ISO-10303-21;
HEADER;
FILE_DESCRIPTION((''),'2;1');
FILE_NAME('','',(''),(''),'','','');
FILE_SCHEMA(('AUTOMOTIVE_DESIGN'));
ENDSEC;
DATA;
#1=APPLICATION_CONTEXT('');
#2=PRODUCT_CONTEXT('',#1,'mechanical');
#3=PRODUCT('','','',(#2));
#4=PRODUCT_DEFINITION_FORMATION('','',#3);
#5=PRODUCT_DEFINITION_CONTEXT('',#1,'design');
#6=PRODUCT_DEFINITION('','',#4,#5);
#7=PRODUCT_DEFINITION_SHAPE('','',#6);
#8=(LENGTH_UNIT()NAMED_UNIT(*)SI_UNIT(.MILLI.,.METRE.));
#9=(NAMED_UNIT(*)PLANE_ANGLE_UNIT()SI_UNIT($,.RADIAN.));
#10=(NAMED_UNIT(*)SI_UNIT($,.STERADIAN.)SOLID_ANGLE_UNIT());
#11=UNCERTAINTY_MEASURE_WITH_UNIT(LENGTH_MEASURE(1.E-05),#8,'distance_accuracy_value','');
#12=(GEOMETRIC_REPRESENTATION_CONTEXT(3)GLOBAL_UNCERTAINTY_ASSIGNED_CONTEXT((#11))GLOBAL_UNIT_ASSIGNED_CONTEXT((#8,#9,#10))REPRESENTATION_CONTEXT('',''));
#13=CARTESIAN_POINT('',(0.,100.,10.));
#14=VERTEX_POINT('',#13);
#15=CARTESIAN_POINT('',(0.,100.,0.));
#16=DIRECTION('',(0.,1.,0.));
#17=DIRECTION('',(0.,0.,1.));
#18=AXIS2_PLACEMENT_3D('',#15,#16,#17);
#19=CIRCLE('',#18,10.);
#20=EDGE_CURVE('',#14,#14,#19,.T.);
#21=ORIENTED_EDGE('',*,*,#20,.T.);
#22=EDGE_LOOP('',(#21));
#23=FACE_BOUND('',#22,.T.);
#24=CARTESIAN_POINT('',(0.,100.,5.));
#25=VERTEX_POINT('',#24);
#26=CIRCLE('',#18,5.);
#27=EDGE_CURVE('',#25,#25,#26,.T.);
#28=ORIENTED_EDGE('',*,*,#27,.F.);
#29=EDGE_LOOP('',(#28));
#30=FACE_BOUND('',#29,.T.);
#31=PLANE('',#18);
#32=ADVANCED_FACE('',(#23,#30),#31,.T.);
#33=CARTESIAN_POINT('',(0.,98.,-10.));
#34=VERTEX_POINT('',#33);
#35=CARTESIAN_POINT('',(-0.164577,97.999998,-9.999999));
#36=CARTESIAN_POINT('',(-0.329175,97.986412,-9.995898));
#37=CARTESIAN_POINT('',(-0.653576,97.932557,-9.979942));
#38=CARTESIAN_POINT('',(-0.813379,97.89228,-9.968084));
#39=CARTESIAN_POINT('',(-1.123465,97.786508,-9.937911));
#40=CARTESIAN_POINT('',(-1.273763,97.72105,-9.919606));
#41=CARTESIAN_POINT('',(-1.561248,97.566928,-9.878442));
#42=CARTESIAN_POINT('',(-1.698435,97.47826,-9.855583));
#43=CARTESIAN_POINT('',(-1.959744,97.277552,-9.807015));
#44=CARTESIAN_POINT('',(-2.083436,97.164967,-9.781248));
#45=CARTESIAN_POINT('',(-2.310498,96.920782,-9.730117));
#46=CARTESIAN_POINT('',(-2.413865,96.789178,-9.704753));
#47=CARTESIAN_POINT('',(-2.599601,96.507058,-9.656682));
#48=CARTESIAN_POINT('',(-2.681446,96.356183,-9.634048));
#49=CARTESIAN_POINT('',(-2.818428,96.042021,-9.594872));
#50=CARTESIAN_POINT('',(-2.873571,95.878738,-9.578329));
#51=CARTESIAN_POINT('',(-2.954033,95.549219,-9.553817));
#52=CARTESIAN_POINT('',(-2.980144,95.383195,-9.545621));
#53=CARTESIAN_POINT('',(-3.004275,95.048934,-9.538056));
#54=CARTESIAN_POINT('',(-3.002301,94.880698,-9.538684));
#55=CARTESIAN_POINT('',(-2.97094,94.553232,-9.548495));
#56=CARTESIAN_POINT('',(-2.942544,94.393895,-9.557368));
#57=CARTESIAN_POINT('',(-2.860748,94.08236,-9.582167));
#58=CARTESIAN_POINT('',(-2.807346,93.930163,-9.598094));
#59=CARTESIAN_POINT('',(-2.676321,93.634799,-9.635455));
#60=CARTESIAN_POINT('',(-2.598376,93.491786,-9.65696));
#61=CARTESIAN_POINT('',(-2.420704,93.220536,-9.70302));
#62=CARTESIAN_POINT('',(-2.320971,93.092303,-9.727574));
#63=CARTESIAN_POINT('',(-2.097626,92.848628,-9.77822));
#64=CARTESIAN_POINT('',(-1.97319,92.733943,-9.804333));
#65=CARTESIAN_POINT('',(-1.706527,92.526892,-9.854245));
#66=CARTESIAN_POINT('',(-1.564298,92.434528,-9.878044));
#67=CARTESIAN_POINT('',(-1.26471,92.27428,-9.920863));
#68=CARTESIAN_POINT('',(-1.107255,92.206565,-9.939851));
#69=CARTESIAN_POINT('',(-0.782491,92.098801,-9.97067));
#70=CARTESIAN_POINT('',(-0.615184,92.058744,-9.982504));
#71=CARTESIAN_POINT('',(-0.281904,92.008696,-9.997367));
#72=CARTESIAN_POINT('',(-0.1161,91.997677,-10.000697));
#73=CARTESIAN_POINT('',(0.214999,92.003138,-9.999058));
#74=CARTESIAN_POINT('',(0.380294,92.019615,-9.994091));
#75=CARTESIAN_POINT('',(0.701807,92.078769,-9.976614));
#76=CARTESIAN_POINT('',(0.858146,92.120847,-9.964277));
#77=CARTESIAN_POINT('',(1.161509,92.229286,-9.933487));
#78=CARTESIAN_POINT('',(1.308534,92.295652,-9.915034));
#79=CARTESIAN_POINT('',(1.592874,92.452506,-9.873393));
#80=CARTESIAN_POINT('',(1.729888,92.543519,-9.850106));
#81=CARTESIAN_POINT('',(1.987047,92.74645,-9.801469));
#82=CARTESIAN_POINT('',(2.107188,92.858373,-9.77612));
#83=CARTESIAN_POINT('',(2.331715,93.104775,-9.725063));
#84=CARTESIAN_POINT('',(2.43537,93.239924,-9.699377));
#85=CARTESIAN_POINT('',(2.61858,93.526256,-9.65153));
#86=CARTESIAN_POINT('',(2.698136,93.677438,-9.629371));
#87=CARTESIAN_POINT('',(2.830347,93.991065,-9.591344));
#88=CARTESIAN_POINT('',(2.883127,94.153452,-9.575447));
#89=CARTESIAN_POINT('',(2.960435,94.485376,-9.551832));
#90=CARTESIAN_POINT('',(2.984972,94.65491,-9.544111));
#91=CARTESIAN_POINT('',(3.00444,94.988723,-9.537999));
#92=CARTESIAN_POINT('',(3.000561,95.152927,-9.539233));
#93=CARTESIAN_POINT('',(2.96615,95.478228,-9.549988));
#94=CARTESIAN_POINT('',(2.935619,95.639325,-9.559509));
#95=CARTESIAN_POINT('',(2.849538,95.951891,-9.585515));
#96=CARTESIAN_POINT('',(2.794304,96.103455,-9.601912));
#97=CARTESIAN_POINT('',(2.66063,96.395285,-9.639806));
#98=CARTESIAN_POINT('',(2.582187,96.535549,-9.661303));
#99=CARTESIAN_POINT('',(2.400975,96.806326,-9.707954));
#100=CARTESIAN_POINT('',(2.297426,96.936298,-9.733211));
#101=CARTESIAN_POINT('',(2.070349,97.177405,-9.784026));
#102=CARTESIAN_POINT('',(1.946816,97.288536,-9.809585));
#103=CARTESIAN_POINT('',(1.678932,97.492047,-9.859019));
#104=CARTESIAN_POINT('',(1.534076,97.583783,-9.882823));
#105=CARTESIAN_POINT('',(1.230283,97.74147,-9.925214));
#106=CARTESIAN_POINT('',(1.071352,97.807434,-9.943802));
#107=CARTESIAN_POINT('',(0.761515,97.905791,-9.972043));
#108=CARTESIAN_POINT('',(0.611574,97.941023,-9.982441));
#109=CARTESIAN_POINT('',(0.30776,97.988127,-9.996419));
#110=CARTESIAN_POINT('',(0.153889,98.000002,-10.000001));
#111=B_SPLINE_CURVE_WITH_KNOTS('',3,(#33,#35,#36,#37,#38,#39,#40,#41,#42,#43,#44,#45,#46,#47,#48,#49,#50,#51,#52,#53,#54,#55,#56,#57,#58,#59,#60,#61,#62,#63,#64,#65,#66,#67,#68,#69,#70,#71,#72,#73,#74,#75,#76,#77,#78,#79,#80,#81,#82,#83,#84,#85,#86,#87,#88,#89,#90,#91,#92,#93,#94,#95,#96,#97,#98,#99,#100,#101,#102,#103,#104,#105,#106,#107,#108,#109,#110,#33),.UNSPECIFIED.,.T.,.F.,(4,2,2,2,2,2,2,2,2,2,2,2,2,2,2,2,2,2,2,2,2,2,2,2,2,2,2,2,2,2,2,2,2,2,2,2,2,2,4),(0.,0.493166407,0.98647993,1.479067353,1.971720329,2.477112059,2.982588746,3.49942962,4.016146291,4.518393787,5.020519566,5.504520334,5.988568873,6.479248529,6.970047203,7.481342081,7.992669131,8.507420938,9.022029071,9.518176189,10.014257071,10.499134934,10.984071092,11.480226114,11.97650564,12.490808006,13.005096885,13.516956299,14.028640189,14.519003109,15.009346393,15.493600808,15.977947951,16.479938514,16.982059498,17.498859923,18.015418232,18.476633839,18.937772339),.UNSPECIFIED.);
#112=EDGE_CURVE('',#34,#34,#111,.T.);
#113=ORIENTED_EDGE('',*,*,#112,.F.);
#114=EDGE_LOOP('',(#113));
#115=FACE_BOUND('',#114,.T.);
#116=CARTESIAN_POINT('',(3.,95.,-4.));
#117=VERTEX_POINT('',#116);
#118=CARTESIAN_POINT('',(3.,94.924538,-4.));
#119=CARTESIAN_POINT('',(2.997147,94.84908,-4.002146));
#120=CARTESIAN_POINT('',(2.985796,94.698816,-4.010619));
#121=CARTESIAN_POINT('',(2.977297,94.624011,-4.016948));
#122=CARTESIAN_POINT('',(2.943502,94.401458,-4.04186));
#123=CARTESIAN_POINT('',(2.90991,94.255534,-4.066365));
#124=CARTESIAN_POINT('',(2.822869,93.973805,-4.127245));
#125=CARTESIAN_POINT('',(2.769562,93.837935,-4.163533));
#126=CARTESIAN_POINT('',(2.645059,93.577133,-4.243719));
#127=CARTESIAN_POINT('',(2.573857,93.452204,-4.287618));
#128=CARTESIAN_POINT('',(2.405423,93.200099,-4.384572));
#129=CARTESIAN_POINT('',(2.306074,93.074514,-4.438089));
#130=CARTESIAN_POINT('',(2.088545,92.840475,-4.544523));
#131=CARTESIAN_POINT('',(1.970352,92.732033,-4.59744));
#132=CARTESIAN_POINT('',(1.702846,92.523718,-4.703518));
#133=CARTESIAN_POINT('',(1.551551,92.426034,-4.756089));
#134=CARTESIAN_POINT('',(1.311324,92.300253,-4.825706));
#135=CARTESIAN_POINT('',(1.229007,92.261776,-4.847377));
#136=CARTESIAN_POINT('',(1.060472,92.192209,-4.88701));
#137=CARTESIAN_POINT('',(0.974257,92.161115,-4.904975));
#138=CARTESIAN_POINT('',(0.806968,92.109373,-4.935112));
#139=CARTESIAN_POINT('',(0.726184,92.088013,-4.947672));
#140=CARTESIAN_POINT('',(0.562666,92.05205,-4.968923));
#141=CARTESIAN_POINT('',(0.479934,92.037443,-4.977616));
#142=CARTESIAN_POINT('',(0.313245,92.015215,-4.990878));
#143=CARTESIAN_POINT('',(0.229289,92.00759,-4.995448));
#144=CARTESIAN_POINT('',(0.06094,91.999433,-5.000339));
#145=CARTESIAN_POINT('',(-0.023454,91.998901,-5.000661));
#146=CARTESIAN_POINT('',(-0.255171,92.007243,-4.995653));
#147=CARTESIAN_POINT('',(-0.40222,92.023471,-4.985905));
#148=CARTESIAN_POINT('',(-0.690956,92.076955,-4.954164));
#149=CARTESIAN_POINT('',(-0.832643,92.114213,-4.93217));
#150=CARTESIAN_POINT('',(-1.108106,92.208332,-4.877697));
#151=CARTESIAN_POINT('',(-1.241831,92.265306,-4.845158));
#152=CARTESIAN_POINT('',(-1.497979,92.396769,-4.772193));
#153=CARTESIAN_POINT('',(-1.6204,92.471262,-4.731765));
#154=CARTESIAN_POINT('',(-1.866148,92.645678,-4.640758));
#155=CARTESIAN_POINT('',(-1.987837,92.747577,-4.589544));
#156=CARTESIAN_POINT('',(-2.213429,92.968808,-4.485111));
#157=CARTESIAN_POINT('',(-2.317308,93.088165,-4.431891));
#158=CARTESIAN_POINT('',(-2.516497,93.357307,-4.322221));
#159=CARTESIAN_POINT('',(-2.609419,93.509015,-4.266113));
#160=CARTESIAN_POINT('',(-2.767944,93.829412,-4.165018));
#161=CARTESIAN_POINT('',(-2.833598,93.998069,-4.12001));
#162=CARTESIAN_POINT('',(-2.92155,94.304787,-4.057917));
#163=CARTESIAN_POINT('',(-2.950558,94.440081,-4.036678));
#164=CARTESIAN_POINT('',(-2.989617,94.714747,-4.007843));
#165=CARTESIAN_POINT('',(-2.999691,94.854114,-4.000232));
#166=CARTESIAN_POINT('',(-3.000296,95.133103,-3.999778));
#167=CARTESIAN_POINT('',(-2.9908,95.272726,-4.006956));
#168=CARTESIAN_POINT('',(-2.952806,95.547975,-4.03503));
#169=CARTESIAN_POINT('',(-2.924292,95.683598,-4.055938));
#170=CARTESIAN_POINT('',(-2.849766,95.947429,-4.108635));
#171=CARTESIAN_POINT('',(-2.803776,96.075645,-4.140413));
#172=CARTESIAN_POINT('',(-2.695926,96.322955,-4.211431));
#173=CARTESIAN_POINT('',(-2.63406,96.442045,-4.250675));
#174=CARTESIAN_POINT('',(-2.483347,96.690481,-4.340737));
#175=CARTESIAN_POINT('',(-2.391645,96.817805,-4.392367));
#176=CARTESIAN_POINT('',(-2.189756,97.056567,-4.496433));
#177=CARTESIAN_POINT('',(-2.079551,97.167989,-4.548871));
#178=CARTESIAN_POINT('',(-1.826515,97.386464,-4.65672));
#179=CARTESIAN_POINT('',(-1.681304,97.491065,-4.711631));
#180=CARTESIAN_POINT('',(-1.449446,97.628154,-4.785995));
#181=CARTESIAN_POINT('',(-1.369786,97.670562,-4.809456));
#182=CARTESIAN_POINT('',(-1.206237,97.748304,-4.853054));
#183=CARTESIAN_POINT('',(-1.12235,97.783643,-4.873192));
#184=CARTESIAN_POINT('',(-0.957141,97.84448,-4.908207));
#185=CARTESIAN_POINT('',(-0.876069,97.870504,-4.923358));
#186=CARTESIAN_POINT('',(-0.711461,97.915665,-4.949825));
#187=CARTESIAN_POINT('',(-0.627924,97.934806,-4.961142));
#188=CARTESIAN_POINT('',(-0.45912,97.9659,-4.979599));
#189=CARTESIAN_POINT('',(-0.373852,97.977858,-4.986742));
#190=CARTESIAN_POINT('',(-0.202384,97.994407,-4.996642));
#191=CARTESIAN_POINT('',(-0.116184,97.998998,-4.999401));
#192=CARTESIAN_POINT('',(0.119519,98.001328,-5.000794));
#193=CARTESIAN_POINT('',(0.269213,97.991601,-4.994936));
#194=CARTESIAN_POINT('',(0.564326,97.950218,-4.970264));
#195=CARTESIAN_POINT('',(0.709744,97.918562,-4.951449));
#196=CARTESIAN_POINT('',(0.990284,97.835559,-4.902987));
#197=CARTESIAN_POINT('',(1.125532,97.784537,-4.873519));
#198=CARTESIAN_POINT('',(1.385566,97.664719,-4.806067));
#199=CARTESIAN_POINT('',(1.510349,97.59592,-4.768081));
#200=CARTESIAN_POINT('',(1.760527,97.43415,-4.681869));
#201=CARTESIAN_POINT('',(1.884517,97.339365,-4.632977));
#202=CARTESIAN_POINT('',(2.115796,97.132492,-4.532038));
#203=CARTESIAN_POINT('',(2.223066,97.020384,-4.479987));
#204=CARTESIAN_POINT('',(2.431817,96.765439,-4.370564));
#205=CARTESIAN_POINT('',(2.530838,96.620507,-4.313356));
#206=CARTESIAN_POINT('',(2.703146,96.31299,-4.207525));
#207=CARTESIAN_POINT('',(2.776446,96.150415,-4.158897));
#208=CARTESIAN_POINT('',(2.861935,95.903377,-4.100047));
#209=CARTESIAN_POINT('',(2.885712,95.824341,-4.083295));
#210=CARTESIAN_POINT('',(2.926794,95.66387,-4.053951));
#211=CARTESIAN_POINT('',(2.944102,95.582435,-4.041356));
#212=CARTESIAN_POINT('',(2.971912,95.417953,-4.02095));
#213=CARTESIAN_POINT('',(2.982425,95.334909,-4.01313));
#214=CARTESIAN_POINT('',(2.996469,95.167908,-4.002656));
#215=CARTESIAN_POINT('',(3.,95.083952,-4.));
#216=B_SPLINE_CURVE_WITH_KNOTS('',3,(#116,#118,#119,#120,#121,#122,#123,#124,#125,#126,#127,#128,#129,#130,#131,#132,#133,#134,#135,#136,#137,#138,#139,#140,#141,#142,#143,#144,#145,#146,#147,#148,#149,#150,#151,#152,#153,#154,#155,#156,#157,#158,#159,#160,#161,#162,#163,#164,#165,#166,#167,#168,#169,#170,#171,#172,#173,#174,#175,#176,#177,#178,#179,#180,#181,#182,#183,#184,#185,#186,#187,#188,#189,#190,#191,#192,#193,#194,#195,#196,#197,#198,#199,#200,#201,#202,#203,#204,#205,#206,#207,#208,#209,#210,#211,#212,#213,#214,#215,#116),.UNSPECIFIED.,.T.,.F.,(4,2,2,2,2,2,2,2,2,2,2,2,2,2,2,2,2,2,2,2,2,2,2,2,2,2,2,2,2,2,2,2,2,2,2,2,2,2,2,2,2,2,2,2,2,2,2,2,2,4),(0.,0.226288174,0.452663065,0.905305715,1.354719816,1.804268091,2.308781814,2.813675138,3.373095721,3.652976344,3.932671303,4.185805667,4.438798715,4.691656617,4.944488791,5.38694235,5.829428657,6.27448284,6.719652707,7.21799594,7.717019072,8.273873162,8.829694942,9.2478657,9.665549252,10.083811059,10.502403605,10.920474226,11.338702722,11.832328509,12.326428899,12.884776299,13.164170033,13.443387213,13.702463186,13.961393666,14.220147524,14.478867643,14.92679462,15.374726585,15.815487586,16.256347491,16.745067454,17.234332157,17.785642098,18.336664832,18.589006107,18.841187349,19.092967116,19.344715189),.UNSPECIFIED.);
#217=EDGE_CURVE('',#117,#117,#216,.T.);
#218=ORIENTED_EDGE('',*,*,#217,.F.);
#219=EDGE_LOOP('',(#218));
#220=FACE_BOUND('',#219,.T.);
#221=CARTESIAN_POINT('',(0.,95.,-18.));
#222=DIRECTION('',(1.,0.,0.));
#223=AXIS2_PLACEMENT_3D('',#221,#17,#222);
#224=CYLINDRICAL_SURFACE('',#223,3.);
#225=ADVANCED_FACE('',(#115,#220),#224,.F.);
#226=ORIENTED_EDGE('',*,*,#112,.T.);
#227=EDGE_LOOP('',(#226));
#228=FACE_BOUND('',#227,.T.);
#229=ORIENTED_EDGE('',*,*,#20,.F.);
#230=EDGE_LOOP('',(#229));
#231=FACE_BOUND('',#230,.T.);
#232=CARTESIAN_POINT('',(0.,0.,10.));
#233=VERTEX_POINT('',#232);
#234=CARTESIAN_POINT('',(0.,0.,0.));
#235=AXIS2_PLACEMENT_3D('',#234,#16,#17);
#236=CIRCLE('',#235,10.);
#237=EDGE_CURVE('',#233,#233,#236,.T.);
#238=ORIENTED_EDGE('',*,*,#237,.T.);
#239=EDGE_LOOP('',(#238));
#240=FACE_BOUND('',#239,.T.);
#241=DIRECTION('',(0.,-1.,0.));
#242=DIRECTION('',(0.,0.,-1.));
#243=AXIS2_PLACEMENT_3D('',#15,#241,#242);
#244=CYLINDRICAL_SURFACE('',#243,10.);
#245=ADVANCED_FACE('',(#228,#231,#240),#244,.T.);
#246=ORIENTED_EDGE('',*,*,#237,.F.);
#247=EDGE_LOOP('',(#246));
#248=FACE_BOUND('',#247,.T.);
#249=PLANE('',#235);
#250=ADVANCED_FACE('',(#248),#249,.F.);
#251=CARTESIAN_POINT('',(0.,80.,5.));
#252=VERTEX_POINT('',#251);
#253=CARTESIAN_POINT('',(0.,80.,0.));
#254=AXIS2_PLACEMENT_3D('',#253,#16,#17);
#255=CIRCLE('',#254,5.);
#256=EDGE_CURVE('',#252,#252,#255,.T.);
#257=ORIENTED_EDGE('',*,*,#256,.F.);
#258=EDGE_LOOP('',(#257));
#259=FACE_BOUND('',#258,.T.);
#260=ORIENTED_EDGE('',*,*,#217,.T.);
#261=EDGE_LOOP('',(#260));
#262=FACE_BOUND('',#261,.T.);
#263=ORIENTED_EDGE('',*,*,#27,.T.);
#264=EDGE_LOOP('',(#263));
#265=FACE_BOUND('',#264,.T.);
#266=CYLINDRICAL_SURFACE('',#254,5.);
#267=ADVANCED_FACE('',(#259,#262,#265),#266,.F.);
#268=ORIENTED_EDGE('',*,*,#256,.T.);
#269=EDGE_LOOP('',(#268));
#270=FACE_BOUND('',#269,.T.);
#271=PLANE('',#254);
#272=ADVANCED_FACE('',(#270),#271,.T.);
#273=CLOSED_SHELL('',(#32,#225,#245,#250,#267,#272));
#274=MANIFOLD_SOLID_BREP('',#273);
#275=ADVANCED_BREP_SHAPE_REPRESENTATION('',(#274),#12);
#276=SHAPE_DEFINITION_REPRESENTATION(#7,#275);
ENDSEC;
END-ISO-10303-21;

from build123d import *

# Parameters (mm, degrees)
SKETCH1_R           = 10
BOSS_EXTRUDE1_DEPTH = 100
SKETCH2_R           = 5
CUT_EXTRUDE1_DEPTH  = 20
SKETCH3_R           = 3
CUT_EXTRUDE2_DEPTH  = 18


with BuildPart() as part:
    # Sketch1 → Boss-Extrude1 (new body)
    with BuildSketch(Plane(origin=(0, 0, 0), x_dir=(1, 0, 0), z_dir=(0, 1, 0))):
        Circle(SKETCH1_R)
    extrude(amount=BOSS_EXTRUDE1_DEPTH)

    # Sketch2 → Cut-Extrude1 (cut)
    with BuildSketch(Plane(origin=(0, 100, 0), x_dir=(1, 0, 0), z_dir=(0, 1, 0))):
        Circle(SKETCH2_R)
    extrude(amount=-CUT_EXTRUDE1_DEPTH, mode=Mode.SUBTRACT)

    # Sketch3 → Cut-Extrude2 (cut)
    with BuildSketch(Plane.XY):
        with Locations((0, 95)):
            Circle(SKETCH3_R)
    extrude(amount=-CUT_EXTRUDE2_DEPTH, mode=Mode.SUBTRACT)


solid = part.part
